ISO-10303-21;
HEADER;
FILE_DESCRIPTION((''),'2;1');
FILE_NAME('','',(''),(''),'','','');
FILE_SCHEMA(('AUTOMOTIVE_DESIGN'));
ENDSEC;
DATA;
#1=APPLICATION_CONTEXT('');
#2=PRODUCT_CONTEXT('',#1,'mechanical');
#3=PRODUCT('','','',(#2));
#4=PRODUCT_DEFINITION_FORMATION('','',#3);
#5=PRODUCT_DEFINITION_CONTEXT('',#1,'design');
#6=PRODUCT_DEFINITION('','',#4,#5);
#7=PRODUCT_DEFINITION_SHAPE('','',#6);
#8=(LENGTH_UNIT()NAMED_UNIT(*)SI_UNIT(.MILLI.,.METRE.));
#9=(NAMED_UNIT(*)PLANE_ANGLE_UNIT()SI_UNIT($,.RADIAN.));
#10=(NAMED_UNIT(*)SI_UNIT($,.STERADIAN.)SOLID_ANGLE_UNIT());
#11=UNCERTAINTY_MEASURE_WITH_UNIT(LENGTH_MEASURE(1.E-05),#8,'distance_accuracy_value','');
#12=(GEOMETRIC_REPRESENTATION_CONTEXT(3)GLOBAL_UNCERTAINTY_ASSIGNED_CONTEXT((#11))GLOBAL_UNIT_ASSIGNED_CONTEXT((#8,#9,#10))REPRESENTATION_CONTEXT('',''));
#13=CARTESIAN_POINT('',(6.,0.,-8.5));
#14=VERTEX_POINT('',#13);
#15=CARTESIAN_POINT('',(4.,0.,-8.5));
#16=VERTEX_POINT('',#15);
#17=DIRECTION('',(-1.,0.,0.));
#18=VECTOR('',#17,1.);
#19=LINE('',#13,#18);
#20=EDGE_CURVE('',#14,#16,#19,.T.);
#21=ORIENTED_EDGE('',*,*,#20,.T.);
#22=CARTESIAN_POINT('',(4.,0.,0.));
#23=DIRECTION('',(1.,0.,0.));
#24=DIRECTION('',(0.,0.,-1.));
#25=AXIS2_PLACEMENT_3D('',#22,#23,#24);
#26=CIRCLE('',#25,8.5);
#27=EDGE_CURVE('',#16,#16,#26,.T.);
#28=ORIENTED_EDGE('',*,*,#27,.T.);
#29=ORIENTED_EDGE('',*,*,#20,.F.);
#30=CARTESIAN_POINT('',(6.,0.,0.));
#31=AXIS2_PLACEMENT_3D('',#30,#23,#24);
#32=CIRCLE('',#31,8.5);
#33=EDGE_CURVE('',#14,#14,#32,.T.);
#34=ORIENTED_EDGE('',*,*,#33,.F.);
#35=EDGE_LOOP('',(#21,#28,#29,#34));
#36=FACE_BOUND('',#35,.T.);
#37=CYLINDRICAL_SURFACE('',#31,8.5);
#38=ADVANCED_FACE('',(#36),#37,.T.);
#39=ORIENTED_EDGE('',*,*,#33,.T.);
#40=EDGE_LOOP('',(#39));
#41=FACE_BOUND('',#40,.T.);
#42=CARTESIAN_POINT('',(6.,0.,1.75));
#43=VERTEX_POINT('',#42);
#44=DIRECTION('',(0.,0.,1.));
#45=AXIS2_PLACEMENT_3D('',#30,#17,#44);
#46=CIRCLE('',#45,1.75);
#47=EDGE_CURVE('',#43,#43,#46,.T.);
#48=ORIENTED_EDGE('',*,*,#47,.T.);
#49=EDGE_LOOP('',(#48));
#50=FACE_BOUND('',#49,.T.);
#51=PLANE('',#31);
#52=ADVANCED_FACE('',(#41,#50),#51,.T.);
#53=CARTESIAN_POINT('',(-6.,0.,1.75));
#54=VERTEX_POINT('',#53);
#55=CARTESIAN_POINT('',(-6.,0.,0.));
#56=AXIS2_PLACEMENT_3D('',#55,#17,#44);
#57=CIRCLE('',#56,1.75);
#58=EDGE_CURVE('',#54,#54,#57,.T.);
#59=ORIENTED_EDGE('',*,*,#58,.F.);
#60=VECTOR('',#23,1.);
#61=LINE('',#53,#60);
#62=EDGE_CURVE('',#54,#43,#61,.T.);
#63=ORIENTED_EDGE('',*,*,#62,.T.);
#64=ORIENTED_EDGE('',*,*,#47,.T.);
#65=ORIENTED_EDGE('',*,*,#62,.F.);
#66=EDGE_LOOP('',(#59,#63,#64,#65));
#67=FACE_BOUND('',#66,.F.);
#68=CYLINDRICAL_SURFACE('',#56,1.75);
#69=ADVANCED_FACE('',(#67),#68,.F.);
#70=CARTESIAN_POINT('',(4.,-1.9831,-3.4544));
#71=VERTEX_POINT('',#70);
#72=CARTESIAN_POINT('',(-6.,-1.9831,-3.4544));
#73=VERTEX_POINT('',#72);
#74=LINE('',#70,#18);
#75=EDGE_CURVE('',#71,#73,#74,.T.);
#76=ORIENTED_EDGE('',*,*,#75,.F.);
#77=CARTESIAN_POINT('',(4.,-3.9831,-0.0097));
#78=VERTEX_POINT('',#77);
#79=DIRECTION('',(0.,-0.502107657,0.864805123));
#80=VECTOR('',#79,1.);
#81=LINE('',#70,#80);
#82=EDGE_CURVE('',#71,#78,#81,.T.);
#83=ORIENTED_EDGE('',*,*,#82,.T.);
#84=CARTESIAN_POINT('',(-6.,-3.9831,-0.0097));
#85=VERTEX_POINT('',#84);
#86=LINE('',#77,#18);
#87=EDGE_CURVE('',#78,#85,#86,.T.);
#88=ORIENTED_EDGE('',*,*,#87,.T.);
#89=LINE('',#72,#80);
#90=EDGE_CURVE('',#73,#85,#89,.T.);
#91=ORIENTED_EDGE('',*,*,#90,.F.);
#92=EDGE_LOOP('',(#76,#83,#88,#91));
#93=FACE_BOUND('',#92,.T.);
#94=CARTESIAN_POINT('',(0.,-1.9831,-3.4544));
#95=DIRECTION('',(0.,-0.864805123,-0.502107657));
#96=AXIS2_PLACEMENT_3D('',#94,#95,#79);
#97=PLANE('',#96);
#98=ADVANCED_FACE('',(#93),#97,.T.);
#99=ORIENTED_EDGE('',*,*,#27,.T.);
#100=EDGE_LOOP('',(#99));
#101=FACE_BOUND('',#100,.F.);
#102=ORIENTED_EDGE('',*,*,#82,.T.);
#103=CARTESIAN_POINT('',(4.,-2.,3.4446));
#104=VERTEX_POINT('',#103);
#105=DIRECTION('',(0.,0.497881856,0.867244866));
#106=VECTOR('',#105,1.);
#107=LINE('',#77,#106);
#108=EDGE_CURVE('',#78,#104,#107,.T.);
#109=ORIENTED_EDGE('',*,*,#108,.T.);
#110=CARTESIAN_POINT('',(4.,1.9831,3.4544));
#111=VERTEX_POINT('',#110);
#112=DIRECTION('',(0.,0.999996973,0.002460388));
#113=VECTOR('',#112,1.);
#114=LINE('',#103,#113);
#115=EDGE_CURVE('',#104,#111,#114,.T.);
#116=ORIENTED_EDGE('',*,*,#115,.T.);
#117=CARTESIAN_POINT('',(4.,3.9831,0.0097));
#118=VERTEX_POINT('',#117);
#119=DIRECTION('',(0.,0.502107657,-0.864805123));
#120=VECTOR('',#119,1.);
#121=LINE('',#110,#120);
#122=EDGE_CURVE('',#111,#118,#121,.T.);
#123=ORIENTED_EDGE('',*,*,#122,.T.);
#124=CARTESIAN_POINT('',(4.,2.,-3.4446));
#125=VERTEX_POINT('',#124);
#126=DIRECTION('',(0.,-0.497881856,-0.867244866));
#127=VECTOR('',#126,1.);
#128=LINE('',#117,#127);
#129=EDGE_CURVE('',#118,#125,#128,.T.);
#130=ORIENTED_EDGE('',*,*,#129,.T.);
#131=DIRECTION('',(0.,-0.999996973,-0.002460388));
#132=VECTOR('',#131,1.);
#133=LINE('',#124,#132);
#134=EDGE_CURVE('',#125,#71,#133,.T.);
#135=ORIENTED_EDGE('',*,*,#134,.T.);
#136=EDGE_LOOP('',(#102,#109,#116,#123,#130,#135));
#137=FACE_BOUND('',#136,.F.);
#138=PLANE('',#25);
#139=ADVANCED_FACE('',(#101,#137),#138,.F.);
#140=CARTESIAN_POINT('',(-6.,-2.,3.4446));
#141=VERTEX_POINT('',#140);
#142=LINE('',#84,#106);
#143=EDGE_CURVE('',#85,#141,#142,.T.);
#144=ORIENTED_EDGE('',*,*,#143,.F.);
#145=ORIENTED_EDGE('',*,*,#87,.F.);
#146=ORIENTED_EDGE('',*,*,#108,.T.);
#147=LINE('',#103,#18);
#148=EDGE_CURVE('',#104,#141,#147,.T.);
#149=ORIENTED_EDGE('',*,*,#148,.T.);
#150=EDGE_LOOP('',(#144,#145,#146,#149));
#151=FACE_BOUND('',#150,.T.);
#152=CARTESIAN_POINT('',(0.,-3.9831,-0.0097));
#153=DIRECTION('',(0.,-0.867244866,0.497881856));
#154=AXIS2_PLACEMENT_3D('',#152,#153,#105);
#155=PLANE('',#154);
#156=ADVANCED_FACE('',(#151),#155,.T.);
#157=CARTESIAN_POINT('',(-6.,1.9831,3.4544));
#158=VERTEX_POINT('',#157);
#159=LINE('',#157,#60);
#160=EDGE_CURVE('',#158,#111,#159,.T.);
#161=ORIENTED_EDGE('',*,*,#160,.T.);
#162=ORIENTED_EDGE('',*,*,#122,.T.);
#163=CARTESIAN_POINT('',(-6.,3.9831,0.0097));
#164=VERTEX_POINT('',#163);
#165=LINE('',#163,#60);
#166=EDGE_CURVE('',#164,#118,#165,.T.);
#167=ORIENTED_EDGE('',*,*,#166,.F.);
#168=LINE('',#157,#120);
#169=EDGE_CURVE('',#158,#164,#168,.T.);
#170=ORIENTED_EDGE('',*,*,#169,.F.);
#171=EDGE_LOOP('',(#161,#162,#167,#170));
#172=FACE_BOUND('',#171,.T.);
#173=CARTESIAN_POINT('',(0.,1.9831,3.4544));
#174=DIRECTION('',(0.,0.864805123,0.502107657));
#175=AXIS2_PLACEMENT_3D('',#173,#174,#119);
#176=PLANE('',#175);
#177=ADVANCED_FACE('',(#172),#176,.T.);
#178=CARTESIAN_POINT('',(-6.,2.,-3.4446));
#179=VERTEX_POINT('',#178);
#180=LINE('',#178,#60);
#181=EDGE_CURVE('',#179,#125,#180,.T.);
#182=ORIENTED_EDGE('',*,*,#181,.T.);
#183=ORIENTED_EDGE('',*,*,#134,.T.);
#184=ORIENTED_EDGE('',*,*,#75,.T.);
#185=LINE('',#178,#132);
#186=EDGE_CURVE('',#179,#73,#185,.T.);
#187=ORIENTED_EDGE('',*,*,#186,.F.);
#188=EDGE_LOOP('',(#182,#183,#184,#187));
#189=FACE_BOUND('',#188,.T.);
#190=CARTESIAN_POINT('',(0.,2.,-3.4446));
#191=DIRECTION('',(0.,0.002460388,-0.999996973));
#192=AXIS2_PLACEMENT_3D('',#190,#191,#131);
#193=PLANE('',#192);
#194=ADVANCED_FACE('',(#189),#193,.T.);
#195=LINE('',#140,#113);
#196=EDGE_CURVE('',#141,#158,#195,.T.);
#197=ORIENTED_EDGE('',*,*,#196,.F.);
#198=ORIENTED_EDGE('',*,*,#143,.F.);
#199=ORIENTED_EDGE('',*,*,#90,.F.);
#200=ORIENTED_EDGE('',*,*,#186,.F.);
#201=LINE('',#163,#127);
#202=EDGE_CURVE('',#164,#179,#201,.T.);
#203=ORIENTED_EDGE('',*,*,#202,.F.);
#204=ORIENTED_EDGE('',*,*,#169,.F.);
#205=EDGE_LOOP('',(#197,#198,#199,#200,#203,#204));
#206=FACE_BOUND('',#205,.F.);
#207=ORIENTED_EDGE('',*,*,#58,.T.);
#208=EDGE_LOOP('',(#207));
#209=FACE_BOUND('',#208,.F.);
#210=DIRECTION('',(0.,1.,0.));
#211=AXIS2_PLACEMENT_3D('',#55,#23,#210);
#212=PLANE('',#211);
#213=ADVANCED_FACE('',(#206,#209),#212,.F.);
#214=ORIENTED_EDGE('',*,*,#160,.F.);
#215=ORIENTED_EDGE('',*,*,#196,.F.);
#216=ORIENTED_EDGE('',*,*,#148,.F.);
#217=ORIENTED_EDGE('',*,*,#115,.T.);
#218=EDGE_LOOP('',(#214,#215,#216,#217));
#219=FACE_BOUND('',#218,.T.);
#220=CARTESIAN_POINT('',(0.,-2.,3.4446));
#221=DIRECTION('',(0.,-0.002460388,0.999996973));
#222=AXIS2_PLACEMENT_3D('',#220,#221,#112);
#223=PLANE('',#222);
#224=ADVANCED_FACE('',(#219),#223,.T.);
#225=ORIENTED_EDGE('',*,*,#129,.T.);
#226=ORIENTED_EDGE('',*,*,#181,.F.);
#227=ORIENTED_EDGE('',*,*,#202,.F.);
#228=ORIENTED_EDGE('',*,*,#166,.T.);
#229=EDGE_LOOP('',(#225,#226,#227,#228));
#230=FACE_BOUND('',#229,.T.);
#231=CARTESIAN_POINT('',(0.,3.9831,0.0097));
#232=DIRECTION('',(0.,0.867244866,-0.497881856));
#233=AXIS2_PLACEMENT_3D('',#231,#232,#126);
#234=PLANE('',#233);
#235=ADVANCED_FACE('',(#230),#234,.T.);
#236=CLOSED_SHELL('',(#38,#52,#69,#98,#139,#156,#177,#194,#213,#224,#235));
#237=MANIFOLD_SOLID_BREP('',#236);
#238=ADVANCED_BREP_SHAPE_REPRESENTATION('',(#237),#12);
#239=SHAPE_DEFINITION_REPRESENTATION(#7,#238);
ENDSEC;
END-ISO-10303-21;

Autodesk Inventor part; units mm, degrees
ref_plane "YZ Plane" through (0, 0, 0) normal (1, 0, 0) x (0, 1, 0)
ref_plane "XZ Plane" through (0, 0, 0) normal (0, 1, 0) x (-1, 0, 0)
ref_plane "XY Plane" through (0, 0, 0) normal (0, 0, 1) x (1, 0, 0)
sketch "Sketch1" plane through (0, 0, 0) normal (1, 0, 0) x (0, 1, 0)
  line L0 (2, 0) -> (-2, 0) construction
  line L1 (-2, 0) -> (-2, -15.7322) construction
  line L2 (-2, -15.7322) -> (2, -15.7322) construction
  line L3 (2, -15.7322) -> (2, 0) construction
  line L4 (2, -3.4446) -> (-1.9831, -3.4544)
  line L5 (-1.9831, -3.4544) -> (-3.9831, -0.0097)
  line L6 (-3.9831, -0.0097) -> (-2, 3.4446)
  line L7 (-2, 3.4446) -> (1.9831, 3.4544)
  line L8 (1.9831, 3.4544) -> (3.9831, 0.0097)
  line L9 (3.9831, 0.0097) -> (2, -3.4446)
  point P0 (0, 0)
  point P1 (0, 0)
  dimension "d0" = 4
extrude "Extrusion1" add sketch "Sketch1" along normal blind 4 and the other way blind 6
sketch "Sketch2" plane through (4, 0, 0) normal (1, 0, 0) x (0, 0, -1)
  line L0 (3.4446, 2) -> (-0.0097, 3.9831) projected
  circle A0 centre (0, 0) radius 3.9832
extrude "Extrusion2" add sketch "Sketch2" along normal blind 2
sketch "Sketch3" plane through (6, 0, 0) normal (1, 0, 0) x (0, 0, -1)
  point P0 (0, 0)
sketch "Sketch4" plane through (4, 0, 0) normal (-1, 0, 0) x (0, 0, 1)
  circle A0 centre (0, 0) radius 6
  dimension "d5" = 12
extrude "Extrusion3" add sketch "Sketch4" against normal blind 2
sketch "Sketch5" plane through (6, 0, 0) normal (1, 0, 0) x (0, 0, -1)
  circle A0 centre (0, 0) radius 1.5
  dimension "d8" = 3
extrude "Extrusion4" cut sketch "Sketch5" against normal blind 6
sketch "Sketch6" plane through (6, 0, 0) normal (1, 0, 0) x (0, 0, -1)
  point P0 (0, 0)
sketch "Sketch7" plane through (6, 0, 0) normal (1, 0, 0) x (0, 0, -1)
  circle A0 centre (0, 0) radius 8.5
  dimension "d11" = 17
extrude "Extrusion5" add sketch "Sketch7" against normal blind 2
sketch "Sketch8" plane through (-6, 0, 0) normal (-1, 0, 0) x (0, 0, 1)
  circle A0 centre (0, 0) radius 1.75
  dimension "d16" = 3.5
extrude "Extrusion6" cut sketch "Sketch8" against normal blind 12.25
properties part number "InnerLayerHub3mm"
